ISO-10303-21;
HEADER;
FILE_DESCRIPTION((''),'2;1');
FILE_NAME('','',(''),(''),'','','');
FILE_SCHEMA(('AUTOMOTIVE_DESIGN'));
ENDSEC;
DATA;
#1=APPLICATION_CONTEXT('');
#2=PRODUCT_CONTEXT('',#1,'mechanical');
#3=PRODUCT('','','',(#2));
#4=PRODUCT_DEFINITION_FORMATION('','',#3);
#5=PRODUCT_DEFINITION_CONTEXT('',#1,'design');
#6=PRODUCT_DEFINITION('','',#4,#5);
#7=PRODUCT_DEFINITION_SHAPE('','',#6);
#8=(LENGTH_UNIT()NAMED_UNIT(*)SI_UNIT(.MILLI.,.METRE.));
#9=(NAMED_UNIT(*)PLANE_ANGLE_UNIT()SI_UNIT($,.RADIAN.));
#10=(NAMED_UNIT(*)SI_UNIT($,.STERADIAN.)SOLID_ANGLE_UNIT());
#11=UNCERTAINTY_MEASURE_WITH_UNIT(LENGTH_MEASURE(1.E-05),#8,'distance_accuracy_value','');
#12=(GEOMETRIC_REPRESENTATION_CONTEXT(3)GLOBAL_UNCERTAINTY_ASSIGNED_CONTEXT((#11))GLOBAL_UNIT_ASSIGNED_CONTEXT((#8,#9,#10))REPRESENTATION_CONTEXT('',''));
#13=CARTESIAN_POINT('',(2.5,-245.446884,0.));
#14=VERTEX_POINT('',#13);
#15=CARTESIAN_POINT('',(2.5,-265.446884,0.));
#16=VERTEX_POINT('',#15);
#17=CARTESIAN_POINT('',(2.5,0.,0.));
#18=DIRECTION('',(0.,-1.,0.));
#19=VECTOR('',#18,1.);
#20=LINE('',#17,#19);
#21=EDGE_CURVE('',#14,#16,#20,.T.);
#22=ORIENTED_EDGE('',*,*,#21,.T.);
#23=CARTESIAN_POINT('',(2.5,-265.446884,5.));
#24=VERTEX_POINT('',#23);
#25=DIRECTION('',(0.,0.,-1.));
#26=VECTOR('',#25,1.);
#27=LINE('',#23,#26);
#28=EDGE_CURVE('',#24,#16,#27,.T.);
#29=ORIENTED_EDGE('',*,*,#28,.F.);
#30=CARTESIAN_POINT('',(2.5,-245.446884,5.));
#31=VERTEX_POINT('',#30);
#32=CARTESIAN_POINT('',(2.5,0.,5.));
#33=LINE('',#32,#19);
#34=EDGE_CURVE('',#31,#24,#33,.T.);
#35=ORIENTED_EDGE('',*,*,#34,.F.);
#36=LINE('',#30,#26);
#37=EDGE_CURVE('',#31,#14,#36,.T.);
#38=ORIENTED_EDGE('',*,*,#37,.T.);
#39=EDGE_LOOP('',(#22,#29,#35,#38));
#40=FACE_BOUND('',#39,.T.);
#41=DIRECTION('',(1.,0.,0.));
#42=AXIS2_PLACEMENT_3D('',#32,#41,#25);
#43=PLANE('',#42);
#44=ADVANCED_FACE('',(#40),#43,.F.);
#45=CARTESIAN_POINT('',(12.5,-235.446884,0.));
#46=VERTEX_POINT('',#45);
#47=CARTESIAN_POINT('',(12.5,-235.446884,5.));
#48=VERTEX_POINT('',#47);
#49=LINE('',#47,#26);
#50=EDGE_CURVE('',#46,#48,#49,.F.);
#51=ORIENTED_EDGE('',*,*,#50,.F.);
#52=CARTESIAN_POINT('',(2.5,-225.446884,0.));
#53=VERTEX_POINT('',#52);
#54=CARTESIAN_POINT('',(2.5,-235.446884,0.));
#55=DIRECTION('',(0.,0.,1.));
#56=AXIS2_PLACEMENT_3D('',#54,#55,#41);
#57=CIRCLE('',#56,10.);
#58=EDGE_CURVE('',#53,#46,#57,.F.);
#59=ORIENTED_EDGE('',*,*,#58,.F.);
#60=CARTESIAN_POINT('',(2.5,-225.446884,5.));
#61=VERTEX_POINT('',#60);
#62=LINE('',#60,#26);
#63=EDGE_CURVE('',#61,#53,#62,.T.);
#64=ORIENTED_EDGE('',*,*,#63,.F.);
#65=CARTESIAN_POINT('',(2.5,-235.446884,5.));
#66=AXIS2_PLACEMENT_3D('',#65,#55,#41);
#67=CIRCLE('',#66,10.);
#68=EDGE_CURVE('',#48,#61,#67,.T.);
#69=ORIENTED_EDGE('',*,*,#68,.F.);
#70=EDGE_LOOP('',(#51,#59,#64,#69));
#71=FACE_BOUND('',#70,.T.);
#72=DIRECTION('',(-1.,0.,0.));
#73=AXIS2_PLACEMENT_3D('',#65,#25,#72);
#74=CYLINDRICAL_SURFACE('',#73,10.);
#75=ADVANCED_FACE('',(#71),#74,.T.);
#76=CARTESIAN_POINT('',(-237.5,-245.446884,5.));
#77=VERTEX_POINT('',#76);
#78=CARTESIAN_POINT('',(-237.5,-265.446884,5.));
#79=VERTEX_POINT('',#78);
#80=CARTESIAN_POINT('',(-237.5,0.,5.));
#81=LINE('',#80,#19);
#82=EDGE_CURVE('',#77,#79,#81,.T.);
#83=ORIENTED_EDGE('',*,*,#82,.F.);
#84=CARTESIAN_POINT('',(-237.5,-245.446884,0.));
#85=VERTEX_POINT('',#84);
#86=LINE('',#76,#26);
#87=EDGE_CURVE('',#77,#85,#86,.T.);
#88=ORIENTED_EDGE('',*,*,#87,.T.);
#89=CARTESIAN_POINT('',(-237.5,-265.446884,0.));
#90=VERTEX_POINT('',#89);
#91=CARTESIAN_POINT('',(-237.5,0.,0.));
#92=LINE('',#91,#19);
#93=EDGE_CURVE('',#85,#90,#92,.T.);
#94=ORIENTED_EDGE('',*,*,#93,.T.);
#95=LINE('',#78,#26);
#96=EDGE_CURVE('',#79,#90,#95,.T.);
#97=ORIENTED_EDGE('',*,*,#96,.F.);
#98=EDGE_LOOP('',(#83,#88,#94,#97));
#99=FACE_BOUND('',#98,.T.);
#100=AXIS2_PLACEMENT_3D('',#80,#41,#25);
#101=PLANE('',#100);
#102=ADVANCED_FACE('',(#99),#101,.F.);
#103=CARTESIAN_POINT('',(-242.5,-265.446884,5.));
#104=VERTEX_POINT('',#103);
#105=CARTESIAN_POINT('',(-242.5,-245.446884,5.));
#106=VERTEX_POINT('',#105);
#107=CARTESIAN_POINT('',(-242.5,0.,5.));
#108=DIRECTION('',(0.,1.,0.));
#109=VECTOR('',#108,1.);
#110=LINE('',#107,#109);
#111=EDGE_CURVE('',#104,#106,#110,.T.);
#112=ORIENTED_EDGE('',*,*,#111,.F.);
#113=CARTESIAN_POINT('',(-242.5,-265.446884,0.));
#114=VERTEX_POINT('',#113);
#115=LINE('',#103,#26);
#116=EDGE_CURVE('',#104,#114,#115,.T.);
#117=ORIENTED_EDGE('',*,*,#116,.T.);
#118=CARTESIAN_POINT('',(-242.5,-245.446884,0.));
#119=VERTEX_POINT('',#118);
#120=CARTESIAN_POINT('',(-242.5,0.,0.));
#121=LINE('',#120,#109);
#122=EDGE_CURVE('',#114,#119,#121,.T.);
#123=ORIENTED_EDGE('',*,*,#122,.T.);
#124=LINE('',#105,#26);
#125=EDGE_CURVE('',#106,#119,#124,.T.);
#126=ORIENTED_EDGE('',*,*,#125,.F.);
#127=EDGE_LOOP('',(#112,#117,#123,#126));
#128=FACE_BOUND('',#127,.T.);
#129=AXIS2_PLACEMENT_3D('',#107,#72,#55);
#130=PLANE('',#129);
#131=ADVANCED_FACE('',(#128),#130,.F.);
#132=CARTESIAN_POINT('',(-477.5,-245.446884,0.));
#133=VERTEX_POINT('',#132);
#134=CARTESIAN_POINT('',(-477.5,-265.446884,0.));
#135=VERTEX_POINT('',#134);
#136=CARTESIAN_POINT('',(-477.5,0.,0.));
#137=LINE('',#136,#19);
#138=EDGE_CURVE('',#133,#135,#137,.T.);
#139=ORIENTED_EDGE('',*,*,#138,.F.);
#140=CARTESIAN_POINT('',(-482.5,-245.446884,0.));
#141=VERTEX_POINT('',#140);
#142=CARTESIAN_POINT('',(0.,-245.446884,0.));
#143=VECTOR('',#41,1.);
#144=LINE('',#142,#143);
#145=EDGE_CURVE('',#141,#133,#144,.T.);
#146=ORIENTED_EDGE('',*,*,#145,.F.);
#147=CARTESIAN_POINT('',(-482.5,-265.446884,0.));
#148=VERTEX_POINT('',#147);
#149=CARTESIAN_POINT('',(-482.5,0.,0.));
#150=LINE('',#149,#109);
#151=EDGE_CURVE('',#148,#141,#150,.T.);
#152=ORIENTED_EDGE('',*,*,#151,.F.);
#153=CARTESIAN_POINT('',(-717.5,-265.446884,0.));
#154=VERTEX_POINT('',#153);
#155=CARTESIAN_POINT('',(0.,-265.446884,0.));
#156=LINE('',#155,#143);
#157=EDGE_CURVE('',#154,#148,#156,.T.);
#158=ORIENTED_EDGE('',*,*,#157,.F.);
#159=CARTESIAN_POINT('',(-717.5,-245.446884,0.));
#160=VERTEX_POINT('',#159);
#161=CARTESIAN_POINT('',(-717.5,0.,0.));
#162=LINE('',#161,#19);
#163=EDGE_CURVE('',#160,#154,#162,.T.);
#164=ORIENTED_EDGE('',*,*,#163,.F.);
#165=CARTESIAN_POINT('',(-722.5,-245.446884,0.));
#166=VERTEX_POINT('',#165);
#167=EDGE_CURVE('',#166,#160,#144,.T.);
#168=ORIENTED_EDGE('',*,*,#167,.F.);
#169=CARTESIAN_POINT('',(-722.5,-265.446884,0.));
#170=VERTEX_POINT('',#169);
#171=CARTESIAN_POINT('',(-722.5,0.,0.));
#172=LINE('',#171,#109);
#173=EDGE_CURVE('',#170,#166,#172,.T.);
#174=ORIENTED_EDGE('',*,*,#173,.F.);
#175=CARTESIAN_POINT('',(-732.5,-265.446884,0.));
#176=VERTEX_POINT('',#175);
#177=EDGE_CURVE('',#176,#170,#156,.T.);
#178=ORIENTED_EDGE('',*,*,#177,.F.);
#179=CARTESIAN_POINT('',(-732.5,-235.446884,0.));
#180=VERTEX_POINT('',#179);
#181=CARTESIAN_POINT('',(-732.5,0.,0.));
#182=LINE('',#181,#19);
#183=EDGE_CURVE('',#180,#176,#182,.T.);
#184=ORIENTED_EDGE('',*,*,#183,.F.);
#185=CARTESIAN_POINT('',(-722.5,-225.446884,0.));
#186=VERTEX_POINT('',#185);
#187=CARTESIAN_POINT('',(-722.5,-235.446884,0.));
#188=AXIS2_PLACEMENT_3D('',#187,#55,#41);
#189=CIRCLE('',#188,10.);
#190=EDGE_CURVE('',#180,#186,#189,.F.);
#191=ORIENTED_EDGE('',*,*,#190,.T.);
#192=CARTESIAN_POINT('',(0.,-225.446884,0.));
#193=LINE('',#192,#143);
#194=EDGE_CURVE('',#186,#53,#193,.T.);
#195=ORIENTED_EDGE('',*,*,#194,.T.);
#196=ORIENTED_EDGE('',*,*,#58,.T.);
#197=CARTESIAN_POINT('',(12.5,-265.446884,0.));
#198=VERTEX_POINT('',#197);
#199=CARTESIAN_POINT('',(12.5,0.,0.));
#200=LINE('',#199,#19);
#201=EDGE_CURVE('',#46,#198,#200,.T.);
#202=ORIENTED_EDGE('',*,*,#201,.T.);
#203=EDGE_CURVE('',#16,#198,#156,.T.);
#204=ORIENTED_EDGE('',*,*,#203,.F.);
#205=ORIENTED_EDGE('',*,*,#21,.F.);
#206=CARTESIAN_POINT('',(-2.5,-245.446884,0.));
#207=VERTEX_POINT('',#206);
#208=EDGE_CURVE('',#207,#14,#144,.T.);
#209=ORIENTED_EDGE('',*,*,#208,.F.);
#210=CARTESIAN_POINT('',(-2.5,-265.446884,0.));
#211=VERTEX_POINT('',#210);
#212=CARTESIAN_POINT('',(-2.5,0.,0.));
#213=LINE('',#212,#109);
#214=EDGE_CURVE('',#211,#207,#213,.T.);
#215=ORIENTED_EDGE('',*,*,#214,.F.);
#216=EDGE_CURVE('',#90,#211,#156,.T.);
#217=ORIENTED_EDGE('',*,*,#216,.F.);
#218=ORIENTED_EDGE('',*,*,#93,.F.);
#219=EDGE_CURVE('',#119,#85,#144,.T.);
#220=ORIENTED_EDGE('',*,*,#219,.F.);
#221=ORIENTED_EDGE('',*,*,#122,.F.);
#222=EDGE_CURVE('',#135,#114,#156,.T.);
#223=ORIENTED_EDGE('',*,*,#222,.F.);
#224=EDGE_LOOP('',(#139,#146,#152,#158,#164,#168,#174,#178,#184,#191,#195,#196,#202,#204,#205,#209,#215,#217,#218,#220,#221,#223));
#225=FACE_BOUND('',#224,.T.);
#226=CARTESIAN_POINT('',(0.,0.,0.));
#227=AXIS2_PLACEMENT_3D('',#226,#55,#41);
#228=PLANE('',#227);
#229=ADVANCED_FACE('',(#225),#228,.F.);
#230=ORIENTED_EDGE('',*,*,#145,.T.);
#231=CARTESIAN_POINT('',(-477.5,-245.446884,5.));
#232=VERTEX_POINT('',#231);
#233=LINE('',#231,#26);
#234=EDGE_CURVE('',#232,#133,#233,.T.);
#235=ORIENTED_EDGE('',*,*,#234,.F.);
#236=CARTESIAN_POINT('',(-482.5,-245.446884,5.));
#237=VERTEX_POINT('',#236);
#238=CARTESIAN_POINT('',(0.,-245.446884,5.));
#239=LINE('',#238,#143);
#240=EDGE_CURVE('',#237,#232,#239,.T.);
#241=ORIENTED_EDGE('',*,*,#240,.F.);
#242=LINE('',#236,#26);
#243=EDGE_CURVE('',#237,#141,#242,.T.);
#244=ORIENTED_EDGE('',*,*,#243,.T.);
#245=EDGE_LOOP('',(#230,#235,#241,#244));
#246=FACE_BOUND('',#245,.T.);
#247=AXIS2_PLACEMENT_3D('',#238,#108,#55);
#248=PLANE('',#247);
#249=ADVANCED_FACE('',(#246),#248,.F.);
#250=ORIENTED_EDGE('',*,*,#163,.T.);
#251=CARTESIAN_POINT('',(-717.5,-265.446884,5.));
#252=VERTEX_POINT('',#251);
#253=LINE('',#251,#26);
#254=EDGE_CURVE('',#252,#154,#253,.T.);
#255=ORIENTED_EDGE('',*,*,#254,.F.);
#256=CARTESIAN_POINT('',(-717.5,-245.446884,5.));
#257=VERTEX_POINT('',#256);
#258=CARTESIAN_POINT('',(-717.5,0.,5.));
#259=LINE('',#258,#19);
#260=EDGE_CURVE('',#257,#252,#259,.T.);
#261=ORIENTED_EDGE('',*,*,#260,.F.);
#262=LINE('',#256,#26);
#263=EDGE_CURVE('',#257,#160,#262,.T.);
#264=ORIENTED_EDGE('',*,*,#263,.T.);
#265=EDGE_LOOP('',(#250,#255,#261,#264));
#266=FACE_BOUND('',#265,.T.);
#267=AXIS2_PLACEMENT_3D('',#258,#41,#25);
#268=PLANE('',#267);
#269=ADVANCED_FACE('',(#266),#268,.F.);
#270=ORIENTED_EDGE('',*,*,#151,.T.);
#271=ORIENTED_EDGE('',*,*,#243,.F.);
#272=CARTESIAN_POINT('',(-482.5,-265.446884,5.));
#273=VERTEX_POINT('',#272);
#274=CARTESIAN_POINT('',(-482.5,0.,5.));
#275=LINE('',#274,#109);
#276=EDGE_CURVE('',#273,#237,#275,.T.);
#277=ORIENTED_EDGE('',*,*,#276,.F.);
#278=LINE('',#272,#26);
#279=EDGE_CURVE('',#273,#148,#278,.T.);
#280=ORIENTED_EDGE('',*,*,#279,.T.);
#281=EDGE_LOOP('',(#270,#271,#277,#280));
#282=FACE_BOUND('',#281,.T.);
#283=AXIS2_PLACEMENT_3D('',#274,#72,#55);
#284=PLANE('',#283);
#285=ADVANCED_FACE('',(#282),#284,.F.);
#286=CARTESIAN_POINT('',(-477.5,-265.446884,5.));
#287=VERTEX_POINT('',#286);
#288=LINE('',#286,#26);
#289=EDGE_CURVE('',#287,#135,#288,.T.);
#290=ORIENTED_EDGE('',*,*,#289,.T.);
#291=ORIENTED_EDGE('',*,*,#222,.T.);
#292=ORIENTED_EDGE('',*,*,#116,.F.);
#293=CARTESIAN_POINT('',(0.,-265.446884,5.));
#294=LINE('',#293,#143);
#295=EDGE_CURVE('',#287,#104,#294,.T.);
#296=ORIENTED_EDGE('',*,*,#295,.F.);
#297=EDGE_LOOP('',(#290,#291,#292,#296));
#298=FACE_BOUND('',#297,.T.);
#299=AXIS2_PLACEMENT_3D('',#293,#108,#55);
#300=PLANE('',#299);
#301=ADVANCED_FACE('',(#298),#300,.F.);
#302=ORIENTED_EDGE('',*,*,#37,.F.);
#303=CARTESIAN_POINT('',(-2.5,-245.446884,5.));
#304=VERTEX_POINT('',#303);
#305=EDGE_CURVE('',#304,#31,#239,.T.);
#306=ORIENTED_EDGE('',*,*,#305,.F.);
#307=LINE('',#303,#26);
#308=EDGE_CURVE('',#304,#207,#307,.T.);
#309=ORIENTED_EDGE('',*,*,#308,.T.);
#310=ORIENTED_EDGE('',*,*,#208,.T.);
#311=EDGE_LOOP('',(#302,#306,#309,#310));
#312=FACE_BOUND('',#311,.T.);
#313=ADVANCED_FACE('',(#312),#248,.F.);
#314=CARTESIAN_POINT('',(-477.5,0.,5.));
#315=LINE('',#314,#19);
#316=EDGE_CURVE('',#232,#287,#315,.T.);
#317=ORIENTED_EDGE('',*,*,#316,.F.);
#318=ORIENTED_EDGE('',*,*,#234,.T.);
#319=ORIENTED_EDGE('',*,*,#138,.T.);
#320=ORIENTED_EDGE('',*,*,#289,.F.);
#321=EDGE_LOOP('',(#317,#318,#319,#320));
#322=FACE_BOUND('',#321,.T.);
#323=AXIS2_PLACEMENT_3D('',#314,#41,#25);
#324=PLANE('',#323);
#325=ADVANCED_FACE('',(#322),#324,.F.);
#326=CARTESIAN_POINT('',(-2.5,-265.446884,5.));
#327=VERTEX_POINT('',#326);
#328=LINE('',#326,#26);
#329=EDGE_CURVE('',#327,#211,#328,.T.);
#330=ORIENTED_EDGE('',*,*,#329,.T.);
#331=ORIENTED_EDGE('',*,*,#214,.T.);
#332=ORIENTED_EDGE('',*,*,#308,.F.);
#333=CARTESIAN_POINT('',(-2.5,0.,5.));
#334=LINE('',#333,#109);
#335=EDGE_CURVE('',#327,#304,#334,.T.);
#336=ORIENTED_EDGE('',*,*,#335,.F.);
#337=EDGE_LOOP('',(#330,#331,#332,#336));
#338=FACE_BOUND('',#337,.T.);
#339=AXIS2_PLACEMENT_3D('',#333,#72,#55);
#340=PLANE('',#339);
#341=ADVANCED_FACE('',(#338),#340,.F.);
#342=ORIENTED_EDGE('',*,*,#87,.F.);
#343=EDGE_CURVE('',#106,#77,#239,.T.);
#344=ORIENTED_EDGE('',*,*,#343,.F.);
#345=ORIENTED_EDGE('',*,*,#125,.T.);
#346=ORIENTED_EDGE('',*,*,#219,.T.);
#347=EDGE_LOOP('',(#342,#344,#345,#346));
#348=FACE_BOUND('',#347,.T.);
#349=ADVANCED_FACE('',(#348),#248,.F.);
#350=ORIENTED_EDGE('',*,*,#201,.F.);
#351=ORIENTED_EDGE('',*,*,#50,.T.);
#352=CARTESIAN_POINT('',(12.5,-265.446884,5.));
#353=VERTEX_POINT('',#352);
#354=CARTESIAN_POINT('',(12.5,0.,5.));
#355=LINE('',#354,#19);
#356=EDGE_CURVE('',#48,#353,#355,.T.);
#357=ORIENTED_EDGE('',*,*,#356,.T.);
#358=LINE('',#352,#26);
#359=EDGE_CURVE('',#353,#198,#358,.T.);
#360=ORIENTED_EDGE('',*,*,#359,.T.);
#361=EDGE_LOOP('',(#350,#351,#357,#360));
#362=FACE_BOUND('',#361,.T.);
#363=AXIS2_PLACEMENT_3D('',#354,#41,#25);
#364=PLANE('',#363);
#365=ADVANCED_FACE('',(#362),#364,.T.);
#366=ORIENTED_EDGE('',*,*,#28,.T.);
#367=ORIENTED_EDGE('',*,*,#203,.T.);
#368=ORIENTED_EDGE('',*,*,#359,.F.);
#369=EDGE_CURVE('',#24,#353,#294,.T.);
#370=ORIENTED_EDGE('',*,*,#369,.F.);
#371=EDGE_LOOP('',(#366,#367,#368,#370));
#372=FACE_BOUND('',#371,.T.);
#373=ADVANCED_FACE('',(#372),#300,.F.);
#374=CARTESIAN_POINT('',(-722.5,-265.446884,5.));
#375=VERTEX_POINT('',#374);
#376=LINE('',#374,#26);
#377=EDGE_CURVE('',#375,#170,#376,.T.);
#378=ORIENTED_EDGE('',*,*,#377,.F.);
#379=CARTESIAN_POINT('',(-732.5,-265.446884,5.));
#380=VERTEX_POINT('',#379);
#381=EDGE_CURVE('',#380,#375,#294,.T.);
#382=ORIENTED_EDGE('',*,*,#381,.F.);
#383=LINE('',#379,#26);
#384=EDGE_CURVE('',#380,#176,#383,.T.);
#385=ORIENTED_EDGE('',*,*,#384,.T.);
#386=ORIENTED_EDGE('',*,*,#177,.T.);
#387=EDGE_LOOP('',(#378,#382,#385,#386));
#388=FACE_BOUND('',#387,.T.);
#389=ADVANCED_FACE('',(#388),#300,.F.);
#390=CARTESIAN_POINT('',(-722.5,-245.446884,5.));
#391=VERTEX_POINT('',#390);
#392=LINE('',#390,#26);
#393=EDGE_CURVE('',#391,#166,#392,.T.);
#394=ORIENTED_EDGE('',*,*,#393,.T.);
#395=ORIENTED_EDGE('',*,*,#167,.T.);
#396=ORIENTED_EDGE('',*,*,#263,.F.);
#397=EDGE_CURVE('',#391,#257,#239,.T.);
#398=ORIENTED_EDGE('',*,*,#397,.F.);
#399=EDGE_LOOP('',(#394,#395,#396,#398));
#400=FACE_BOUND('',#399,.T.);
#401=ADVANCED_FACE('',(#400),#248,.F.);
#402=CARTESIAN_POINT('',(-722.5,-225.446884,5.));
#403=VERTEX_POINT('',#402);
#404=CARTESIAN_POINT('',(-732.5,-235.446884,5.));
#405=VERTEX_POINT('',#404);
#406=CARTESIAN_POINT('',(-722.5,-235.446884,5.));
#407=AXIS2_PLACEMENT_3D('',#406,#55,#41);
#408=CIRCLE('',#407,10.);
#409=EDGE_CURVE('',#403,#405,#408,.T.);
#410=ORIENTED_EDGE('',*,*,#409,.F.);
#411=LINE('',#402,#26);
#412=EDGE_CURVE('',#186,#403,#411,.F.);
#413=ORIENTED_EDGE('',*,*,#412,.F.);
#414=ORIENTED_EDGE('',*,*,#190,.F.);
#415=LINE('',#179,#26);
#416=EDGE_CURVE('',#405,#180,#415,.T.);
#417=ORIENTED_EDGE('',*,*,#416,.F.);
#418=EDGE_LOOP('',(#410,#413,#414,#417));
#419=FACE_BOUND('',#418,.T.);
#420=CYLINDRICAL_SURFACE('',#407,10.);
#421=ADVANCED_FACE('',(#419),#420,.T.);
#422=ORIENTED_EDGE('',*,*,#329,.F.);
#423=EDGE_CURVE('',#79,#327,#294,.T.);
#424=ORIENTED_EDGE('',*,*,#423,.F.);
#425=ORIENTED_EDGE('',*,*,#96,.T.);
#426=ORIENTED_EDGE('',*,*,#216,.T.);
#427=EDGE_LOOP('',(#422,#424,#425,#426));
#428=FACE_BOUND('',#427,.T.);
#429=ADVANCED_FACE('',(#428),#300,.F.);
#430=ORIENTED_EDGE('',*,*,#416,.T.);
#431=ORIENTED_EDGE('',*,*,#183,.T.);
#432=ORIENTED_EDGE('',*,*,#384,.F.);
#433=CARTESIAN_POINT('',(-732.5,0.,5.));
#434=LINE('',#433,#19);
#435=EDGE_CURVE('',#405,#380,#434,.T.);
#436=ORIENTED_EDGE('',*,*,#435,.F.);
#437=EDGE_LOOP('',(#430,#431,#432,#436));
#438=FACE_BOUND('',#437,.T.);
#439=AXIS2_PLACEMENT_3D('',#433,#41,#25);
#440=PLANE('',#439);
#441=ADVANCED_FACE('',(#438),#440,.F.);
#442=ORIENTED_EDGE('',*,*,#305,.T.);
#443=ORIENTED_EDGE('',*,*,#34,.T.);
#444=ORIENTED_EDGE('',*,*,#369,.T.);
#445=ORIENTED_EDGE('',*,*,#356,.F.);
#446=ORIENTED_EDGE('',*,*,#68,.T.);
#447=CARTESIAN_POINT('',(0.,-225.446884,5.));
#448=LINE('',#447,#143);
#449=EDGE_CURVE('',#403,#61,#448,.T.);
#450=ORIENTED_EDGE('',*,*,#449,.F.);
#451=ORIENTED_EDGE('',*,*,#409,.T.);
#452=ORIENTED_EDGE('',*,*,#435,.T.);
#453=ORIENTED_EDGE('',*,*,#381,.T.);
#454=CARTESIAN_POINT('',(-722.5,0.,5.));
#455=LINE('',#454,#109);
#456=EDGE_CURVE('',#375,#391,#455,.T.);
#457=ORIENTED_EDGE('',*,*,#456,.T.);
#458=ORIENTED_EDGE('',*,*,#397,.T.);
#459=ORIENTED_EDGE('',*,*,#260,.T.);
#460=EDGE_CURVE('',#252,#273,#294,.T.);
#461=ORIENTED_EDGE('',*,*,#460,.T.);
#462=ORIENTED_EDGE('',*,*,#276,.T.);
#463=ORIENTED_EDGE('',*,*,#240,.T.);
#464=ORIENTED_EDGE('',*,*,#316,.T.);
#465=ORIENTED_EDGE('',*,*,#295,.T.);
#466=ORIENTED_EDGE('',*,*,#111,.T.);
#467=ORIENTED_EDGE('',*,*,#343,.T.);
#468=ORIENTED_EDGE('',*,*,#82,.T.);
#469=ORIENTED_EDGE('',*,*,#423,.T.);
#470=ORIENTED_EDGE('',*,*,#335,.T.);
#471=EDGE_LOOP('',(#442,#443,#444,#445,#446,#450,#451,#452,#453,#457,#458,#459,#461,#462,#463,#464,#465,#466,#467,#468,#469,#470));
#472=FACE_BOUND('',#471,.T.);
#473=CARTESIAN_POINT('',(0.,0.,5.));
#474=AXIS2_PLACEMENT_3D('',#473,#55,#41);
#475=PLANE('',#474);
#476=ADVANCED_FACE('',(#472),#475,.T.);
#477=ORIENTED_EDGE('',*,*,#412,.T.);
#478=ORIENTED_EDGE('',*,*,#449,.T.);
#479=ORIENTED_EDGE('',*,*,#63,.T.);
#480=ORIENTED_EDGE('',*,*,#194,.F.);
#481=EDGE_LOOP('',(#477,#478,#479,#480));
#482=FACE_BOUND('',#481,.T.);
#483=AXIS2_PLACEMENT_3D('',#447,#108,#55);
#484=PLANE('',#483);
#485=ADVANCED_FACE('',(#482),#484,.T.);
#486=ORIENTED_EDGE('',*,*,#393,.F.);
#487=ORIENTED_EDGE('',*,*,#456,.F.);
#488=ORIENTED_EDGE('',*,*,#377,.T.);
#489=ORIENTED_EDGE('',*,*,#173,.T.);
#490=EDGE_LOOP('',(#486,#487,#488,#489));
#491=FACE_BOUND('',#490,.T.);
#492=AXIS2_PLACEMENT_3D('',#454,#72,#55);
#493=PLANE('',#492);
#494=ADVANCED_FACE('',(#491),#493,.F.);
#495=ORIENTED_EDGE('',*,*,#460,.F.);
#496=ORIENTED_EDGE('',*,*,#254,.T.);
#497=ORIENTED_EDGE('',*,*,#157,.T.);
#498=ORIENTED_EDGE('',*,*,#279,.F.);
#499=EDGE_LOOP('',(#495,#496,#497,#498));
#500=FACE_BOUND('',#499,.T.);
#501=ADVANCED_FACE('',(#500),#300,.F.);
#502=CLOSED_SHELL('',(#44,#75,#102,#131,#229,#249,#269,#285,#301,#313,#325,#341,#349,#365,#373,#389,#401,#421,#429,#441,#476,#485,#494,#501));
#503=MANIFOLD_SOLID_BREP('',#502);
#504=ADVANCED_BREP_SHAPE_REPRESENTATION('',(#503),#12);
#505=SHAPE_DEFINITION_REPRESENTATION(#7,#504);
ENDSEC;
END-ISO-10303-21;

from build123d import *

# Parameters (mm, degrees)
BOSS_EXTRUDE1_DEPTH = 5
FILLET1_R           = 10


with BuildPart() as part:
    # Sketch1 → Boss-Extrude1 (new body)
    with BuildSketch(Plane.XY):
        Polygon((12.5, -225.446883651), (-732.5, -225.446883651), (-732.5, -265.446883651), (-722.5, -265.446883651), (-722.5, -245.446883651), (-717.5, -245.446883651), (-717.5, -265.446883651), (-482.5, -265.446883651), (-482.5, -245.446883651), (-477.5, -245.446883651), (-477.5, -265.446883651), (-242.5, -265.446883651), (-242.5, -245.446883651), (-237.5, -245.446883651), (-237.5, -265.446883651), (-2.5, -265.446883651), (-2.5, -245.446883651), (2.5, -245.446883651), (2.5, -265.446883651), (12.5, -265.446883651), align=None)
    extrude(amount=BOSS_EXTRUDE1_DEPTH)

    # Fillet1
    fillet1_edges = [part.edges().sort_by_distance(p)[0] for p in [
        (-732.5, -225.446883651, 2.5),
        (12.5, -225.446883651, 2.5),
    ]]
    fillet(fillet1_edges, radius=FILLET1_R)


solid = part.part
